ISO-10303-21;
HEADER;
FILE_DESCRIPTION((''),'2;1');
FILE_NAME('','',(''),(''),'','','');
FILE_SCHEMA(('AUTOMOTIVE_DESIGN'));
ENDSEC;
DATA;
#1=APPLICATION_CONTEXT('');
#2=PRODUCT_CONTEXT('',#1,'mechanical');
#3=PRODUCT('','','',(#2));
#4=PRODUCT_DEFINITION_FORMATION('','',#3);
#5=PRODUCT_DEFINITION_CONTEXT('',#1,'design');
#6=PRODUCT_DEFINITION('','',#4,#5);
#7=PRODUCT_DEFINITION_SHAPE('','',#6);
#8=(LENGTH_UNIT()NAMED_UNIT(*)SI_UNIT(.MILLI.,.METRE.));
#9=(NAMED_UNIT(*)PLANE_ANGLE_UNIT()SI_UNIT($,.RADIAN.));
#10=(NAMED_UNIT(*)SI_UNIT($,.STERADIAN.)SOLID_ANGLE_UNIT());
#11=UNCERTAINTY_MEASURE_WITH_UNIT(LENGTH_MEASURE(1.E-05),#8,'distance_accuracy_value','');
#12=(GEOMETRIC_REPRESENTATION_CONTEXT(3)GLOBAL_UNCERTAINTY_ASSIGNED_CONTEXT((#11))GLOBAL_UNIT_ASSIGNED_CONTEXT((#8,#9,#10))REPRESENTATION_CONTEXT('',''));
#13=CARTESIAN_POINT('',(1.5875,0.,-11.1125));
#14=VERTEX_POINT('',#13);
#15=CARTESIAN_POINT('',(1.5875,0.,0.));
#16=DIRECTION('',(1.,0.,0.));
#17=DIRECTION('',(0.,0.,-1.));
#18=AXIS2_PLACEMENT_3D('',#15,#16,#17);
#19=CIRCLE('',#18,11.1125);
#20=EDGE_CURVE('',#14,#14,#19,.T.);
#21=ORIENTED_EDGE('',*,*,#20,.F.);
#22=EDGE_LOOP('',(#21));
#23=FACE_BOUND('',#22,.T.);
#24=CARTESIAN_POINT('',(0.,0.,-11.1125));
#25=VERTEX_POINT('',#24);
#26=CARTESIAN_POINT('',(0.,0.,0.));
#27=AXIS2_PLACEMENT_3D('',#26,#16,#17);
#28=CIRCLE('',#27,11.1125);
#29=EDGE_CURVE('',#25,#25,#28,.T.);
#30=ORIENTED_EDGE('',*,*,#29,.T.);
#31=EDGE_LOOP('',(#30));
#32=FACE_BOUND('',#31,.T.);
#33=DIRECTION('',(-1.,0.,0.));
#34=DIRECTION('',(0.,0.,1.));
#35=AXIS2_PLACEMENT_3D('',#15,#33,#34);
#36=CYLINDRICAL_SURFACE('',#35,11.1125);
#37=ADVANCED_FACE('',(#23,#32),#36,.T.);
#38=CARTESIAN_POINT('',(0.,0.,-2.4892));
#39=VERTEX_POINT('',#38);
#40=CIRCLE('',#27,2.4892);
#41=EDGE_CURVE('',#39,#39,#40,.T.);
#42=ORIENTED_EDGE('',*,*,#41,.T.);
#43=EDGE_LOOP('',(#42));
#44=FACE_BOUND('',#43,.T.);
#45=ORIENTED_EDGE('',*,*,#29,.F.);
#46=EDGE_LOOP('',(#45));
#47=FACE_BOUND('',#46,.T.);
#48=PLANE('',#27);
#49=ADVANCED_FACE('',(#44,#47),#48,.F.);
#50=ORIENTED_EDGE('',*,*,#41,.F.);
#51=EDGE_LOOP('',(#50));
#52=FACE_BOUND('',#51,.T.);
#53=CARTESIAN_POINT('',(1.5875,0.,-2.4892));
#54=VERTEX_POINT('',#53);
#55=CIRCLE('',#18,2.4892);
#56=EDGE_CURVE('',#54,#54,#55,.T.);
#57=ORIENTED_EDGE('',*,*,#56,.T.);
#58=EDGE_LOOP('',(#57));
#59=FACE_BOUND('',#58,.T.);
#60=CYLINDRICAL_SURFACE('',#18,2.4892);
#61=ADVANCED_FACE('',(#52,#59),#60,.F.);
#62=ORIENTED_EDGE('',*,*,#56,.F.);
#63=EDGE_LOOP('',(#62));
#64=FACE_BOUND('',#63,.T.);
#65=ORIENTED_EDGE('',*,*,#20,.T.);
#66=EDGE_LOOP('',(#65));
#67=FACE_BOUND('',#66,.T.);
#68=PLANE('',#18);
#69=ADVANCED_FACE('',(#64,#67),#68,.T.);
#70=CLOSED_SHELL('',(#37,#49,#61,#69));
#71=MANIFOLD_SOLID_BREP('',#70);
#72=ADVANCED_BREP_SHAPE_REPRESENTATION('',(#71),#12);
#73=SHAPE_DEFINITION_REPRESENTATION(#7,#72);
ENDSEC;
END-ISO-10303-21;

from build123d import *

# Parameters (mm, degrees)
SKETCH1_R                  = 11.1125
BOSS_EXTRUDE1_DEPTH        = 1.5875
F_10_CLEARANCE_HOLE1_D     = 4.9784
F_10_CLEARANCE_HOLE1_DEPTH = 15
F_10_CLEARANCE_HOLE1_TIP   = 1.495662253


with BuildPart() as part:
    # Sketch1 → Boss-Extrude1 (new body)
    with BuildSketch(Plane(origin=(0, 0, 0), x_dir=(0, 0, -1), z_dir=(1, 0, 0))):
        Circle(SKETCH1_R)
    extrude(amount=BOSS_EXTRUDE1_DEPTH)

    # #10 Clearance Hole1
    with Locations(Plane(origin=(1.5875, 0, 0), x_dir=(0, 0, -1), z_dir=(1, 0, 0))):
        with Locations((0, 0)):
            Hole(F_10_CLEARANCE_HOLE1_D / 2, depth=F_10_CLEARANCE_HOLE1_DEPTH)
            with Locations((0, 0, -(F_10_CLEARANCE_HOLE1_DEPTH + F_10_CLEARANCE_HOLE1_TIP / 2))):  # 118° drill point
                Cone(0, F_10_CLEARANCE_HOLE1_D / 2, F_10_CLEARANCE_HOLE1_TIP, mode=Mode.SUBTRACT)


solid = part.part
